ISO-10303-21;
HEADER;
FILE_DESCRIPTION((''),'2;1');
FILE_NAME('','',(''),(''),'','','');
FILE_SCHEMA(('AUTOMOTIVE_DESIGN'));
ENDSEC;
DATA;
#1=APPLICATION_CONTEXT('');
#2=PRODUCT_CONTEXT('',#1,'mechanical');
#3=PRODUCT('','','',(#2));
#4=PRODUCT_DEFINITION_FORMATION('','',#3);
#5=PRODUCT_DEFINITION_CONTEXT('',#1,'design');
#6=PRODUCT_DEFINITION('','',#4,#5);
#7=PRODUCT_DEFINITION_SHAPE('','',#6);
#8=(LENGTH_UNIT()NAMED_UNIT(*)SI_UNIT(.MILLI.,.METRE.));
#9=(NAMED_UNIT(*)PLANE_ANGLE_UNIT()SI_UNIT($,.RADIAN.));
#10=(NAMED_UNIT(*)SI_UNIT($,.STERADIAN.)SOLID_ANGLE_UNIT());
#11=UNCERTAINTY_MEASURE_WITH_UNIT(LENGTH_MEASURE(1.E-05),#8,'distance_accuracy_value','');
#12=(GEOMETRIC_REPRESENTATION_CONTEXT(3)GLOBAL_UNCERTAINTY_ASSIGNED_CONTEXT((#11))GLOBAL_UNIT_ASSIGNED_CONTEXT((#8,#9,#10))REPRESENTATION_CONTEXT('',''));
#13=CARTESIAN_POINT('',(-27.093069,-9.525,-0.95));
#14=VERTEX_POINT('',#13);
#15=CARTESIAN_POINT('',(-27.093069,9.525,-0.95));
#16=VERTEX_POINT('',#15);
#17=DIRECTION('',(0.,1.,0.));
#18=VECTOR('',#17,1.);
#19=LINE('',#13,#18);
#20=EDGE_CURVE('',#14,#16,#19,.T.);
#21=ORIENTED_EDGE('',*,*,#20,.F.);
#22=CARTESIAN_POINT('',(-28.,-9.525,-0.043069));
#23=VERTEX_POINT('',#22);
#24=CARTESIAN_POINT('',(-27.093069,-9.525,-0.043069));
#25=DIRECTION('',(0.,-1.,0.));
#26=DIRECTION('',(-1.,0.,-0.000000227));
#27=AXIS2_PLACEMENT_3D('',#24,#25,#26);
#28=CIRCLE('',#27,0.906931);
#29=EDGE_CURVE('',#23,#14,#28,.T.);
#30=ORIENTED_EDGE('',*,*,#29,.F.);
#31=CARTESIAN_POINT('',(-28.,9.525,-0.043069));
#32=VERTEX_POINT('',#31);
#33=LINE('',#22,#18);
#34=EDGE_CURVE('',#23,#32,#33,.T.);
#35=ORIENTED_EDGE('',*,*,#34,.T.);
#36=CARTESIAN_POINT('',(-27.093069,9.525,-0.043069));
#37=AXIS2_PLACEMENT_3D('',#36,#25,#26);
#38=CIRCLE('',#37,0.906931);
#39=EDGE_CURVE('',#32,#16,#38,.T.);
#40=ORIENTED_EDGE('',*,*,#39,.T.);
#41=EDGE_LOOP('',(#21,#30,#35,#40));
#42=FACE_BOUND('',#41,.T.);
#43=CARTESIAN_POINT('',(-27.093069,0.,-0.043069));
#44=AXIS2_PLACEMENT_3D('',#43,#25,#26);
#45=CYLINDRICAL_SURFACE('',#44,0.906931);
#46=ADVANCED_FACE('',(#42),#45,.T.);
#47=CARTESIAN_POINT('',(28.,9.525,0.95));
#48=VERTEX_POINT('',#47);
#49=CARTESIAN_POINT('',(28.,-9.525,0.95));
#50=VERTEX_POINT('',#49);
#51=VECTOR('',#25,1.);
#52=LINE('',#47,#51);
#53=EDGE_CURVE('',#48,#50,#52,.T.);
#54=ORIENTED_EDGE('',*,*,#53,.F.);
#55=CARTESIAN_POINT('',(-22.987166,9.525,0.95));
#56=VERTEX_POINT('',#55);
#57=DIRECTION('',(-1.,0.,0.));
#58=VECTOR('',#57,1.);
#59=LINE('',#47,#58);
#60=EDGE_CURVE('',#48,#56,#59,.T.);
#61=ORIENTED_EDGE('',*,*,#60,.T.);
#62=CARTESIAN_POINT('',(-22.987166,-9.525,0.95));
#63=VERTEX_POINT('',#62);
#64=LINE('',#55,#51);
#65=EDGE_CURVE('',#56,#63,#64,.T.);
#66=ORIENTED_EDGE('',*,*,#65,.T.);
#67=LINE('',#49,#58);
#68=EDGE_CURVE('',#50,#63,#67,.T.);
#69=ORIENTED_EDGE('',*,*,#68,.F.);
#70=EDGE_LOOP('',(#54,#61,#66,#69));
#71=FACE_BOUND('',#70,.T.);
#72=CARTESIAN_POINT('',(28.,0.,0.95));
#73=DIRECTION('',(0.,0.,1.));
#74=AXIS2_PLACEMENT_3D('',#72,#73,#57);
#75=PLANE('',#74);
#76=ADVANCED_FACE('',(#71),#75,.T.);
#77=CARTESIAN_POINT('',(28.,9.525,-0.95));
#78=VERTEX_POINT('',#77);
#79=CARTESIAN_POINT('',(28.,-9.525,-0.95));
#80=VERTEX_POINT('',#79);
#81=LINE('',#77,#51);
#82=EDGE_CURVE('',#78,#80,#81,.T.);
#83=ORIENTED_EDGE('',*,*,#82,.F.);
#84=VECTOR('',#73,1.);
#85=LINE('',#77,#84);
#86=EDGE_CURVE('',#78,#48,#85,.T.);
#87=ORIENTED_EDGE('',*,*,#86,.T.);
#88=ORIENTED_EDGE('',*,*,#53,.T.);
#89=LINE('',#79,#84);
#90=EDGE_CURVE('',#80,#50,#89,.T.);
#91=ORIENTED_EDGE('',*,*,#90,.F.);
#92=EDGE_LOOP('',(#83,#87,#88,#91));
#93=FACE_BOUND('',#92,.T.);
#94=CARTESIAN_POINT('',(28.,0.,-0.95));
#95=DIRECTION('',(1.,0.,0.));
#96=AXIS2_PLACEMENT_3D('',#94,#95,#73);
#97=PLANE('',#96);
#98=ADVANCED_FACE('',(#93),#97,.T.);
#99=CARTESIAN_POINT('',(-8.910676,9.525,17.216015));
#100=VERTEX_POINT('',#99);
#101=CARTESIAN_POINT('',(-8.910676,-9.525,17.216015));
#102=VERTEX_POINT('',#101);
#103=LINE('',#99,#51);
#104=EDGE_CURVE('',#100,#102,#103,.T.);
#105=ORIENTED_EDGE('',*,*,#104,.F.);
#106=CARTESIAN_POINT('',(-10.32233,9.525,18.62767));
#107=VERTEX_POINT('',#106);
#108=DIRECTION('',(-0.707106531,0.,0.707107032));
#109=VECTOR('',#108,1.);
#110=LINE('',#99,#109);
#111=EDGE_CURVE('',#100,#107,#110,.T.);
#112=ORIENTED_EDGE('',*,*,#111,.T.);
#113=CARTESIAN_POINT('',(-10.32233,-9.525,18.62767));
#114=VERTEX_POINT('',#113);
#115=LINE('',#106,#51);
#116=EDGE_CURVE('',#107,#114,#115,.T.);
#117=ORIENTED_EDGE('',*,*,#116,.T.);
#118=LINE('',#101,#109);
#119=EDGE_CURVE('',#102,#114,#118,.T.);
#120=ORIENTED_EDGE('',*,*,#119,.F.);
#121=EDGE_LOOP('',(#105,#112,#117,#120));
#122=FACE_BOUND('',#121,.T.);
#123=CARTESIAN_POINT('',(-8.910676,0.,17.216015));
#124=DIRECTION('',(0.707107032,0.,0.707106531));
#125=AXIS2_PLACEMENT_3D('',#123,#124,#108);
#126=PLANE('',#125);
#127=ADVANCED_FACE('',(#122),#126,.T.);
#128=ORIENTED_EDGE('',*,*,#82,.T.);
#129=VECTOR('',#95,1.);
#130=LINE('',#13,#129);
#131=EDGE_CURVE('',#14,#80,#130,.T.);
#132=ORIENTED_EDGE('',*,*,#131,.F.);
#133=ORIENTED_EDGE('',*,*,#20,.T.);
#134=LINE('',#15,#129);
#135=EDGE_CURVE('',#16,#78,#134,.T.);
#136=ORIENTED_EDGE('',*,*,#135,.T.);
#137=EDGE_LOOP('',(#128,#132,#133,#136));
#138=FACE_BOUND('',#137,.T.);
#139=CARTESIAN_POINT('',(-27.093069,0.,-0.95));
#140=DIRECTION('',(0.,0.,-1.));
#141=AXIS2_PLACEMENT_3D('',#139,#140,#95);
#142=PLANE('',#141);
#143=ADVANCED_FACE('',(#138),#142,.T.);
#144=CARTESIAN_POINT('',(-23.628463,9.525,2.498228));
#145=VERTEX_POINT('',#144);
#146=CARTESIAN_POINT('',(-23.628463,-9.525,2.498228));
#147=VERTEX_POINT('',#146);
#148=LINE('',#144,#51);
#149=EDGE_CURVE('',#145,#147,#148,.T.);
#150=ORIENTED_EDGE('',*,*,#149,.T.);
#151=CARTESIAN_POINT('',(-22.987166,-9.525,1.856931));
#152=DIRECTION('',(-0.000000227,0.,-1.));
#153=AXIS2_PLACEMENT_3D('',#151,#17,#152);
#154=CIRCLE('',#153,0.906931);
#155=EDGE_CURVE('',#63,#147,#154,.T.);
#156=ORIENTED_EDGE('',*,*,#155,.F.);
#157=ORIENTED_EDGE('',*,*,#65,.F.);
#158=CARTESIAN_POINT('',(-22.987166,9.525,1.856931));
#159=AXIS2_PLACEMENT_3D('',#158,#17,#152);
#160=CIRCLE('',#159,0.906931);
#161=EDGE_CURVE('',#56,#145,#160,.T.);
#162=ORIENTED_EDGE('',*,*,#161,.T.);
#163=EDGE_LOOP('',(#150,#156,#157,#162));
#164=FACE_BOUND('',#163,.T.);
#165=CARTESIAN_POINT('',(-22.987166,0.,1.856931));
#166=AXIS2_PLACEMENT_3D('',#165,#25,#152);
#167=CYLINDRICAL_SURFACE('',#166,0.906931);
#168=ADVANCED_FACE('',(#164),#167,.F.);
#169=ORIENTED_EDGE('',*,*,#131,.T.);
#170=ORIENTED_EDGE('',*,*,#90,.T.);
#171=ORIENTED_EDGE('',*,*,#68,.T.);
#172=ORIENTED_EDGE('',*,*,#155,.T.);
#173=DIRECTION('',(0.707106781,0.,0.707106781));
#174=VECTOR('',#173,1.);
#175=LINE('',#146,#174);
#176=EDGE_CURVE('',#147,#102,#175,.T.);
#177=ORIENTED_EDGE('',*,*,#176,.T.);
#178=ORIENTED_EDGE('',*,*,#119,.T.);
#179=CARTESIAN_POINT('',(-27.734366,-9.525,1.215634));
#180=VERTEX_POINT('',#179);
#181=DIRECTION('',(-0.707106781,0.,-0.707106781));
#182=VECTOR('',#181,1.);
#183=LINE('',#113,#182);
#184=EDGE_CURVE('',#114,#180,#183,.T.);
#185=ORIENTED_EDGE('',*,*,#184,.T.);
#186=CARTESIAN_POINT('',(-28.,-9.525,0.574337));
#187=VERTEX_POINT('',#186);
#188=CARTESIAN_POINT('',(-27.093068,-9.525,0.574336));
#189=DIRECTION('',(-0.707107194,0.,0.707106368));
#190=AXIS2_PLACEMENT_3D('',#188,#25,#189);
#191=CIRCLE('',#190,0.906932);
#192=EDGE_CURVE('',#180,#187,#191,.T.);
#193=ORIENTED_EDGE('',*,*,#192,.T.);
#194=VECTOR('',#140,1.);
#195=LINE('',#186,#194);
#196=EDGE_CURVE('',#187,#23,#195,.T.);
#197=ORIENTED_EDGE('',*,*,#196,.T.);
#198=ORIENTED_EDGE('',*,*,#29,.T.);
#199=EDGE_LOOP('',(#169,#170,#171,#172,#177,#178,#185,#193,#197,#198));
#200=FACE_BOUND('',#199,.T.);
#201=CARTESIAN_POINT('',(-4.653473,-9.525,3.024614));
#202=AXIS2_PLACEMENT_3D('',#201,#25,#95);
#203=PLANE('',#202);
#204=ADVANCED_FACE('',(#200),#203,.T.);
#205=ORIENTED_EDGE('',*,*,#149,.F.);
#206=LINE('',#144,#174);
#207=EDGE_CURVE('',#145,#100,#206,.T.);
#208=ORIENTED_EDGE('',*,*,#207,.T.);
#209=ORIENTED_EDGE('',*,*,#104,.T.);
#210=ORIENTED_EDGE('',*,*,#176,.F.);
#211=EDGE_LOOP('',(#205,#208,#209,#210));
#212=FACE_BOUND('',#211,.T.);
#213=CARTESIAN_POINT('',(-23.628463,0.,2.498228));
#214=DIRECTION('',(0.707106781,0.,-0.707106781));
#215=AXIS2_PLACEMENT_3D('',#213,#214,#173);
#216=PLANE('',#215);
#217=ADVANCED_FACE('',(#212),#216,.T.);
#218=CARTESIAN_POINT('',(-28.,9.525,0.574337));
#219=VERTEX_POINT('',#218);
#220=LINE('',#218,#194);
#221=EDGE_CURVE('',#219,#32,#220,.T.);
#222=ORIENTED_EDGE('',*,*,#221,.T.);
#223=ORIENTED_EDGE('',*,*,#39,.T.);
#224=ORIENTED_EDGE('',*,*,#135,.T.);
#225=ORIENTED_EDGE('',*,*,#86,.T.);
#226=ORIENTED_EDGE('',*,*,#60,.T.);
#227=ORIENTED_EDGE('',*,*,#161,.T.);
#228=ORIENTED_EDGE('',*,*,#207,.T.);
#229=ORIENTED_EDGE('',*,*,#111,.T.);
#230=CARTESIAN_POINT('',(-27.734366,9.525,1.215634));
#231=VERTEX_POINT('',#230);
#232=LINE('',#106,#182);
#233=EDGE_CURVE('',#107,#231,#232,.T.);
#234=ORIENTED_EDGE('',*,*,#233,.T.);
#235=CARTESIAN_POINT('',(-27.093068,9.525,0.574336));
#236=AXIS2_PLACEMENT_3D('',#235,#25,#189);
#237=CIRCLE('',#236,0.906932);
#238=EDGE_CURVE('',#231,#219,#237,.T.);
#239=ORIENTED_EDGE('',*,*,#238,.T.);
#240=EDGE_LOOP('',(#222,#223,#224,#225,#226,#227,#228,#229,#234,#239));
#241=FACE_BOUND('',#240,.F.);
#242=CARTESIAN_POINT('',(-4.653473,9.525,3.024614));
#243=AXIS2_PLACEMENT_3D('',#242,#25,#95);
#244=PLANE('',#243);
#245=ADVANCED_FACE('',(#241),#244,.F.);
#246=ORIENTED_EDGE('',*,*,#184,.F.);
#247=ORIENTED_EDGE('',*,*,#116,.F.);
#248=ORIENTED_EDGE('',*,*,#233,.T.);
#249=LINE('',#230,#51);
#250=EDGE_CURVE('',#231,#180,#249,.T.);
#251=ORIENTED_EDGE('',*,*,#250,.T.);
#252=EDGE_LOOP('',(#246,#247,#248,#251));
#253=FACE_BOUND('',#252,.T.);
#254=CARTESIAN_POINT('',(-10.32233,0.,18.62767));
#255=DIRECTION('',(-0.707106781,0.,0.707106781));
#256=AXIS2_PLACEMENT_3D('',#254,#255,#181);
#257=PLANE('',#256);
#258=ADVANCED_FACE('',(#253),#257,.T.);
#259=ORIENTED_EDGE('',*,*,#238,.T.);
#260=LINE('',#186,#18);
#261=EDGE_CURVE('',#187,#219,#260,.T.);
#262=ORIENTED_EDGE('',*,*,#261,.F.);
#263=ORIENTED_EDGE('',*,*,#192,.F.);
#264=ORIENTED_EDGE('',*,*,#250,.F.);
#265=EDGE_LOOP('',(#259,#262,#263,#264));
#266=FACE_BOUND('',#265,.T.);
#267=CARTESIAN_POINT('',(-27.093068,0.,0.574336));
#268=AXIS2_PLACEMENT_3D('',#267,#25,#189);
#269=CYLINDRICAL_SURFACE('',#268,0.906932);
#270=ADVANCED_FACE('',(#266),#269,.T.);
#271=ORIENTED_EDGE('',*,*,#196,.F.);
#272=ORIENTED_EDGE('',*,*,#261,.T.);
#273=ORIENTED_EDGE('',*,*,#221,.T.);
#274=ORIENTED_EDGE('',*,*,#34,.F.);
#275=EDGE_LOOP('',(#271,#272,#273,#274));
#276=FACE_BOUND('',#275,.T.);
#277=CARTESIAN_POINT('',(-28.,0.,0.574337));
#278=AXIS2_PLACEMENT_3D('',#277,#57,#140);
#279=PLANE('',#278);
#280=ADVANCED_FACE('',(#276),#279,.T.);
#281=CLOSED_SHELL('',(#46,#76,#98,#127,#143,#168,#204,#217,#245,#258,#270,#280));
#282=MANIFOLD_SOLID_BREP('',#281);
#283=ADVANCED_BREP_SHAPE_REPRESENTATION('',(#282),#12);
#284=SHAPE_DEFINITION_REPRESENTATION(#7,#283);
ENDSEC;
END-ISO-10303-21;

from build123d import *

# Parameters (mm, degrees)
F1_DEPTH = 9.525


with BuildPart() as f1:
    # F0 (on Front) → F1 (new body, symmetric)
    with BuildSketch(Plane.XZ):
        with BuildLine():
            Line((-27.093069, -0.95), (28, -0.95))
            Line((28, -0.95), (28, 0.95))
            Line((28, 0.95), (-22.987166, 0.95))
            ThreePointArc((-22.987166, 0.95), (-23.825061, 1.509864), (-23.628463, 2.498228))
            Line((-23.628463, 2.498228), (-8.910676, 17.216015))
            Line((-8.910676, 17.216015), (-10.32233, 18.62767))
            Line((-10.32233, 18.62767), (-27.734366, 1.215634))
            ThreePointArc((-27.734366, 1.215634), (-27.930964, 0.921404), (-28, 0.574337))
            Line((-28, 0.574337), (-28, -0.043069))
            ThreePointArc((-28, -0.043069), (-27.734366, -0.684366), (-27.093069, -0.95))
        make_face()
    extrude(amount=F1_DEPTH, both=True)


solid = f1.part
